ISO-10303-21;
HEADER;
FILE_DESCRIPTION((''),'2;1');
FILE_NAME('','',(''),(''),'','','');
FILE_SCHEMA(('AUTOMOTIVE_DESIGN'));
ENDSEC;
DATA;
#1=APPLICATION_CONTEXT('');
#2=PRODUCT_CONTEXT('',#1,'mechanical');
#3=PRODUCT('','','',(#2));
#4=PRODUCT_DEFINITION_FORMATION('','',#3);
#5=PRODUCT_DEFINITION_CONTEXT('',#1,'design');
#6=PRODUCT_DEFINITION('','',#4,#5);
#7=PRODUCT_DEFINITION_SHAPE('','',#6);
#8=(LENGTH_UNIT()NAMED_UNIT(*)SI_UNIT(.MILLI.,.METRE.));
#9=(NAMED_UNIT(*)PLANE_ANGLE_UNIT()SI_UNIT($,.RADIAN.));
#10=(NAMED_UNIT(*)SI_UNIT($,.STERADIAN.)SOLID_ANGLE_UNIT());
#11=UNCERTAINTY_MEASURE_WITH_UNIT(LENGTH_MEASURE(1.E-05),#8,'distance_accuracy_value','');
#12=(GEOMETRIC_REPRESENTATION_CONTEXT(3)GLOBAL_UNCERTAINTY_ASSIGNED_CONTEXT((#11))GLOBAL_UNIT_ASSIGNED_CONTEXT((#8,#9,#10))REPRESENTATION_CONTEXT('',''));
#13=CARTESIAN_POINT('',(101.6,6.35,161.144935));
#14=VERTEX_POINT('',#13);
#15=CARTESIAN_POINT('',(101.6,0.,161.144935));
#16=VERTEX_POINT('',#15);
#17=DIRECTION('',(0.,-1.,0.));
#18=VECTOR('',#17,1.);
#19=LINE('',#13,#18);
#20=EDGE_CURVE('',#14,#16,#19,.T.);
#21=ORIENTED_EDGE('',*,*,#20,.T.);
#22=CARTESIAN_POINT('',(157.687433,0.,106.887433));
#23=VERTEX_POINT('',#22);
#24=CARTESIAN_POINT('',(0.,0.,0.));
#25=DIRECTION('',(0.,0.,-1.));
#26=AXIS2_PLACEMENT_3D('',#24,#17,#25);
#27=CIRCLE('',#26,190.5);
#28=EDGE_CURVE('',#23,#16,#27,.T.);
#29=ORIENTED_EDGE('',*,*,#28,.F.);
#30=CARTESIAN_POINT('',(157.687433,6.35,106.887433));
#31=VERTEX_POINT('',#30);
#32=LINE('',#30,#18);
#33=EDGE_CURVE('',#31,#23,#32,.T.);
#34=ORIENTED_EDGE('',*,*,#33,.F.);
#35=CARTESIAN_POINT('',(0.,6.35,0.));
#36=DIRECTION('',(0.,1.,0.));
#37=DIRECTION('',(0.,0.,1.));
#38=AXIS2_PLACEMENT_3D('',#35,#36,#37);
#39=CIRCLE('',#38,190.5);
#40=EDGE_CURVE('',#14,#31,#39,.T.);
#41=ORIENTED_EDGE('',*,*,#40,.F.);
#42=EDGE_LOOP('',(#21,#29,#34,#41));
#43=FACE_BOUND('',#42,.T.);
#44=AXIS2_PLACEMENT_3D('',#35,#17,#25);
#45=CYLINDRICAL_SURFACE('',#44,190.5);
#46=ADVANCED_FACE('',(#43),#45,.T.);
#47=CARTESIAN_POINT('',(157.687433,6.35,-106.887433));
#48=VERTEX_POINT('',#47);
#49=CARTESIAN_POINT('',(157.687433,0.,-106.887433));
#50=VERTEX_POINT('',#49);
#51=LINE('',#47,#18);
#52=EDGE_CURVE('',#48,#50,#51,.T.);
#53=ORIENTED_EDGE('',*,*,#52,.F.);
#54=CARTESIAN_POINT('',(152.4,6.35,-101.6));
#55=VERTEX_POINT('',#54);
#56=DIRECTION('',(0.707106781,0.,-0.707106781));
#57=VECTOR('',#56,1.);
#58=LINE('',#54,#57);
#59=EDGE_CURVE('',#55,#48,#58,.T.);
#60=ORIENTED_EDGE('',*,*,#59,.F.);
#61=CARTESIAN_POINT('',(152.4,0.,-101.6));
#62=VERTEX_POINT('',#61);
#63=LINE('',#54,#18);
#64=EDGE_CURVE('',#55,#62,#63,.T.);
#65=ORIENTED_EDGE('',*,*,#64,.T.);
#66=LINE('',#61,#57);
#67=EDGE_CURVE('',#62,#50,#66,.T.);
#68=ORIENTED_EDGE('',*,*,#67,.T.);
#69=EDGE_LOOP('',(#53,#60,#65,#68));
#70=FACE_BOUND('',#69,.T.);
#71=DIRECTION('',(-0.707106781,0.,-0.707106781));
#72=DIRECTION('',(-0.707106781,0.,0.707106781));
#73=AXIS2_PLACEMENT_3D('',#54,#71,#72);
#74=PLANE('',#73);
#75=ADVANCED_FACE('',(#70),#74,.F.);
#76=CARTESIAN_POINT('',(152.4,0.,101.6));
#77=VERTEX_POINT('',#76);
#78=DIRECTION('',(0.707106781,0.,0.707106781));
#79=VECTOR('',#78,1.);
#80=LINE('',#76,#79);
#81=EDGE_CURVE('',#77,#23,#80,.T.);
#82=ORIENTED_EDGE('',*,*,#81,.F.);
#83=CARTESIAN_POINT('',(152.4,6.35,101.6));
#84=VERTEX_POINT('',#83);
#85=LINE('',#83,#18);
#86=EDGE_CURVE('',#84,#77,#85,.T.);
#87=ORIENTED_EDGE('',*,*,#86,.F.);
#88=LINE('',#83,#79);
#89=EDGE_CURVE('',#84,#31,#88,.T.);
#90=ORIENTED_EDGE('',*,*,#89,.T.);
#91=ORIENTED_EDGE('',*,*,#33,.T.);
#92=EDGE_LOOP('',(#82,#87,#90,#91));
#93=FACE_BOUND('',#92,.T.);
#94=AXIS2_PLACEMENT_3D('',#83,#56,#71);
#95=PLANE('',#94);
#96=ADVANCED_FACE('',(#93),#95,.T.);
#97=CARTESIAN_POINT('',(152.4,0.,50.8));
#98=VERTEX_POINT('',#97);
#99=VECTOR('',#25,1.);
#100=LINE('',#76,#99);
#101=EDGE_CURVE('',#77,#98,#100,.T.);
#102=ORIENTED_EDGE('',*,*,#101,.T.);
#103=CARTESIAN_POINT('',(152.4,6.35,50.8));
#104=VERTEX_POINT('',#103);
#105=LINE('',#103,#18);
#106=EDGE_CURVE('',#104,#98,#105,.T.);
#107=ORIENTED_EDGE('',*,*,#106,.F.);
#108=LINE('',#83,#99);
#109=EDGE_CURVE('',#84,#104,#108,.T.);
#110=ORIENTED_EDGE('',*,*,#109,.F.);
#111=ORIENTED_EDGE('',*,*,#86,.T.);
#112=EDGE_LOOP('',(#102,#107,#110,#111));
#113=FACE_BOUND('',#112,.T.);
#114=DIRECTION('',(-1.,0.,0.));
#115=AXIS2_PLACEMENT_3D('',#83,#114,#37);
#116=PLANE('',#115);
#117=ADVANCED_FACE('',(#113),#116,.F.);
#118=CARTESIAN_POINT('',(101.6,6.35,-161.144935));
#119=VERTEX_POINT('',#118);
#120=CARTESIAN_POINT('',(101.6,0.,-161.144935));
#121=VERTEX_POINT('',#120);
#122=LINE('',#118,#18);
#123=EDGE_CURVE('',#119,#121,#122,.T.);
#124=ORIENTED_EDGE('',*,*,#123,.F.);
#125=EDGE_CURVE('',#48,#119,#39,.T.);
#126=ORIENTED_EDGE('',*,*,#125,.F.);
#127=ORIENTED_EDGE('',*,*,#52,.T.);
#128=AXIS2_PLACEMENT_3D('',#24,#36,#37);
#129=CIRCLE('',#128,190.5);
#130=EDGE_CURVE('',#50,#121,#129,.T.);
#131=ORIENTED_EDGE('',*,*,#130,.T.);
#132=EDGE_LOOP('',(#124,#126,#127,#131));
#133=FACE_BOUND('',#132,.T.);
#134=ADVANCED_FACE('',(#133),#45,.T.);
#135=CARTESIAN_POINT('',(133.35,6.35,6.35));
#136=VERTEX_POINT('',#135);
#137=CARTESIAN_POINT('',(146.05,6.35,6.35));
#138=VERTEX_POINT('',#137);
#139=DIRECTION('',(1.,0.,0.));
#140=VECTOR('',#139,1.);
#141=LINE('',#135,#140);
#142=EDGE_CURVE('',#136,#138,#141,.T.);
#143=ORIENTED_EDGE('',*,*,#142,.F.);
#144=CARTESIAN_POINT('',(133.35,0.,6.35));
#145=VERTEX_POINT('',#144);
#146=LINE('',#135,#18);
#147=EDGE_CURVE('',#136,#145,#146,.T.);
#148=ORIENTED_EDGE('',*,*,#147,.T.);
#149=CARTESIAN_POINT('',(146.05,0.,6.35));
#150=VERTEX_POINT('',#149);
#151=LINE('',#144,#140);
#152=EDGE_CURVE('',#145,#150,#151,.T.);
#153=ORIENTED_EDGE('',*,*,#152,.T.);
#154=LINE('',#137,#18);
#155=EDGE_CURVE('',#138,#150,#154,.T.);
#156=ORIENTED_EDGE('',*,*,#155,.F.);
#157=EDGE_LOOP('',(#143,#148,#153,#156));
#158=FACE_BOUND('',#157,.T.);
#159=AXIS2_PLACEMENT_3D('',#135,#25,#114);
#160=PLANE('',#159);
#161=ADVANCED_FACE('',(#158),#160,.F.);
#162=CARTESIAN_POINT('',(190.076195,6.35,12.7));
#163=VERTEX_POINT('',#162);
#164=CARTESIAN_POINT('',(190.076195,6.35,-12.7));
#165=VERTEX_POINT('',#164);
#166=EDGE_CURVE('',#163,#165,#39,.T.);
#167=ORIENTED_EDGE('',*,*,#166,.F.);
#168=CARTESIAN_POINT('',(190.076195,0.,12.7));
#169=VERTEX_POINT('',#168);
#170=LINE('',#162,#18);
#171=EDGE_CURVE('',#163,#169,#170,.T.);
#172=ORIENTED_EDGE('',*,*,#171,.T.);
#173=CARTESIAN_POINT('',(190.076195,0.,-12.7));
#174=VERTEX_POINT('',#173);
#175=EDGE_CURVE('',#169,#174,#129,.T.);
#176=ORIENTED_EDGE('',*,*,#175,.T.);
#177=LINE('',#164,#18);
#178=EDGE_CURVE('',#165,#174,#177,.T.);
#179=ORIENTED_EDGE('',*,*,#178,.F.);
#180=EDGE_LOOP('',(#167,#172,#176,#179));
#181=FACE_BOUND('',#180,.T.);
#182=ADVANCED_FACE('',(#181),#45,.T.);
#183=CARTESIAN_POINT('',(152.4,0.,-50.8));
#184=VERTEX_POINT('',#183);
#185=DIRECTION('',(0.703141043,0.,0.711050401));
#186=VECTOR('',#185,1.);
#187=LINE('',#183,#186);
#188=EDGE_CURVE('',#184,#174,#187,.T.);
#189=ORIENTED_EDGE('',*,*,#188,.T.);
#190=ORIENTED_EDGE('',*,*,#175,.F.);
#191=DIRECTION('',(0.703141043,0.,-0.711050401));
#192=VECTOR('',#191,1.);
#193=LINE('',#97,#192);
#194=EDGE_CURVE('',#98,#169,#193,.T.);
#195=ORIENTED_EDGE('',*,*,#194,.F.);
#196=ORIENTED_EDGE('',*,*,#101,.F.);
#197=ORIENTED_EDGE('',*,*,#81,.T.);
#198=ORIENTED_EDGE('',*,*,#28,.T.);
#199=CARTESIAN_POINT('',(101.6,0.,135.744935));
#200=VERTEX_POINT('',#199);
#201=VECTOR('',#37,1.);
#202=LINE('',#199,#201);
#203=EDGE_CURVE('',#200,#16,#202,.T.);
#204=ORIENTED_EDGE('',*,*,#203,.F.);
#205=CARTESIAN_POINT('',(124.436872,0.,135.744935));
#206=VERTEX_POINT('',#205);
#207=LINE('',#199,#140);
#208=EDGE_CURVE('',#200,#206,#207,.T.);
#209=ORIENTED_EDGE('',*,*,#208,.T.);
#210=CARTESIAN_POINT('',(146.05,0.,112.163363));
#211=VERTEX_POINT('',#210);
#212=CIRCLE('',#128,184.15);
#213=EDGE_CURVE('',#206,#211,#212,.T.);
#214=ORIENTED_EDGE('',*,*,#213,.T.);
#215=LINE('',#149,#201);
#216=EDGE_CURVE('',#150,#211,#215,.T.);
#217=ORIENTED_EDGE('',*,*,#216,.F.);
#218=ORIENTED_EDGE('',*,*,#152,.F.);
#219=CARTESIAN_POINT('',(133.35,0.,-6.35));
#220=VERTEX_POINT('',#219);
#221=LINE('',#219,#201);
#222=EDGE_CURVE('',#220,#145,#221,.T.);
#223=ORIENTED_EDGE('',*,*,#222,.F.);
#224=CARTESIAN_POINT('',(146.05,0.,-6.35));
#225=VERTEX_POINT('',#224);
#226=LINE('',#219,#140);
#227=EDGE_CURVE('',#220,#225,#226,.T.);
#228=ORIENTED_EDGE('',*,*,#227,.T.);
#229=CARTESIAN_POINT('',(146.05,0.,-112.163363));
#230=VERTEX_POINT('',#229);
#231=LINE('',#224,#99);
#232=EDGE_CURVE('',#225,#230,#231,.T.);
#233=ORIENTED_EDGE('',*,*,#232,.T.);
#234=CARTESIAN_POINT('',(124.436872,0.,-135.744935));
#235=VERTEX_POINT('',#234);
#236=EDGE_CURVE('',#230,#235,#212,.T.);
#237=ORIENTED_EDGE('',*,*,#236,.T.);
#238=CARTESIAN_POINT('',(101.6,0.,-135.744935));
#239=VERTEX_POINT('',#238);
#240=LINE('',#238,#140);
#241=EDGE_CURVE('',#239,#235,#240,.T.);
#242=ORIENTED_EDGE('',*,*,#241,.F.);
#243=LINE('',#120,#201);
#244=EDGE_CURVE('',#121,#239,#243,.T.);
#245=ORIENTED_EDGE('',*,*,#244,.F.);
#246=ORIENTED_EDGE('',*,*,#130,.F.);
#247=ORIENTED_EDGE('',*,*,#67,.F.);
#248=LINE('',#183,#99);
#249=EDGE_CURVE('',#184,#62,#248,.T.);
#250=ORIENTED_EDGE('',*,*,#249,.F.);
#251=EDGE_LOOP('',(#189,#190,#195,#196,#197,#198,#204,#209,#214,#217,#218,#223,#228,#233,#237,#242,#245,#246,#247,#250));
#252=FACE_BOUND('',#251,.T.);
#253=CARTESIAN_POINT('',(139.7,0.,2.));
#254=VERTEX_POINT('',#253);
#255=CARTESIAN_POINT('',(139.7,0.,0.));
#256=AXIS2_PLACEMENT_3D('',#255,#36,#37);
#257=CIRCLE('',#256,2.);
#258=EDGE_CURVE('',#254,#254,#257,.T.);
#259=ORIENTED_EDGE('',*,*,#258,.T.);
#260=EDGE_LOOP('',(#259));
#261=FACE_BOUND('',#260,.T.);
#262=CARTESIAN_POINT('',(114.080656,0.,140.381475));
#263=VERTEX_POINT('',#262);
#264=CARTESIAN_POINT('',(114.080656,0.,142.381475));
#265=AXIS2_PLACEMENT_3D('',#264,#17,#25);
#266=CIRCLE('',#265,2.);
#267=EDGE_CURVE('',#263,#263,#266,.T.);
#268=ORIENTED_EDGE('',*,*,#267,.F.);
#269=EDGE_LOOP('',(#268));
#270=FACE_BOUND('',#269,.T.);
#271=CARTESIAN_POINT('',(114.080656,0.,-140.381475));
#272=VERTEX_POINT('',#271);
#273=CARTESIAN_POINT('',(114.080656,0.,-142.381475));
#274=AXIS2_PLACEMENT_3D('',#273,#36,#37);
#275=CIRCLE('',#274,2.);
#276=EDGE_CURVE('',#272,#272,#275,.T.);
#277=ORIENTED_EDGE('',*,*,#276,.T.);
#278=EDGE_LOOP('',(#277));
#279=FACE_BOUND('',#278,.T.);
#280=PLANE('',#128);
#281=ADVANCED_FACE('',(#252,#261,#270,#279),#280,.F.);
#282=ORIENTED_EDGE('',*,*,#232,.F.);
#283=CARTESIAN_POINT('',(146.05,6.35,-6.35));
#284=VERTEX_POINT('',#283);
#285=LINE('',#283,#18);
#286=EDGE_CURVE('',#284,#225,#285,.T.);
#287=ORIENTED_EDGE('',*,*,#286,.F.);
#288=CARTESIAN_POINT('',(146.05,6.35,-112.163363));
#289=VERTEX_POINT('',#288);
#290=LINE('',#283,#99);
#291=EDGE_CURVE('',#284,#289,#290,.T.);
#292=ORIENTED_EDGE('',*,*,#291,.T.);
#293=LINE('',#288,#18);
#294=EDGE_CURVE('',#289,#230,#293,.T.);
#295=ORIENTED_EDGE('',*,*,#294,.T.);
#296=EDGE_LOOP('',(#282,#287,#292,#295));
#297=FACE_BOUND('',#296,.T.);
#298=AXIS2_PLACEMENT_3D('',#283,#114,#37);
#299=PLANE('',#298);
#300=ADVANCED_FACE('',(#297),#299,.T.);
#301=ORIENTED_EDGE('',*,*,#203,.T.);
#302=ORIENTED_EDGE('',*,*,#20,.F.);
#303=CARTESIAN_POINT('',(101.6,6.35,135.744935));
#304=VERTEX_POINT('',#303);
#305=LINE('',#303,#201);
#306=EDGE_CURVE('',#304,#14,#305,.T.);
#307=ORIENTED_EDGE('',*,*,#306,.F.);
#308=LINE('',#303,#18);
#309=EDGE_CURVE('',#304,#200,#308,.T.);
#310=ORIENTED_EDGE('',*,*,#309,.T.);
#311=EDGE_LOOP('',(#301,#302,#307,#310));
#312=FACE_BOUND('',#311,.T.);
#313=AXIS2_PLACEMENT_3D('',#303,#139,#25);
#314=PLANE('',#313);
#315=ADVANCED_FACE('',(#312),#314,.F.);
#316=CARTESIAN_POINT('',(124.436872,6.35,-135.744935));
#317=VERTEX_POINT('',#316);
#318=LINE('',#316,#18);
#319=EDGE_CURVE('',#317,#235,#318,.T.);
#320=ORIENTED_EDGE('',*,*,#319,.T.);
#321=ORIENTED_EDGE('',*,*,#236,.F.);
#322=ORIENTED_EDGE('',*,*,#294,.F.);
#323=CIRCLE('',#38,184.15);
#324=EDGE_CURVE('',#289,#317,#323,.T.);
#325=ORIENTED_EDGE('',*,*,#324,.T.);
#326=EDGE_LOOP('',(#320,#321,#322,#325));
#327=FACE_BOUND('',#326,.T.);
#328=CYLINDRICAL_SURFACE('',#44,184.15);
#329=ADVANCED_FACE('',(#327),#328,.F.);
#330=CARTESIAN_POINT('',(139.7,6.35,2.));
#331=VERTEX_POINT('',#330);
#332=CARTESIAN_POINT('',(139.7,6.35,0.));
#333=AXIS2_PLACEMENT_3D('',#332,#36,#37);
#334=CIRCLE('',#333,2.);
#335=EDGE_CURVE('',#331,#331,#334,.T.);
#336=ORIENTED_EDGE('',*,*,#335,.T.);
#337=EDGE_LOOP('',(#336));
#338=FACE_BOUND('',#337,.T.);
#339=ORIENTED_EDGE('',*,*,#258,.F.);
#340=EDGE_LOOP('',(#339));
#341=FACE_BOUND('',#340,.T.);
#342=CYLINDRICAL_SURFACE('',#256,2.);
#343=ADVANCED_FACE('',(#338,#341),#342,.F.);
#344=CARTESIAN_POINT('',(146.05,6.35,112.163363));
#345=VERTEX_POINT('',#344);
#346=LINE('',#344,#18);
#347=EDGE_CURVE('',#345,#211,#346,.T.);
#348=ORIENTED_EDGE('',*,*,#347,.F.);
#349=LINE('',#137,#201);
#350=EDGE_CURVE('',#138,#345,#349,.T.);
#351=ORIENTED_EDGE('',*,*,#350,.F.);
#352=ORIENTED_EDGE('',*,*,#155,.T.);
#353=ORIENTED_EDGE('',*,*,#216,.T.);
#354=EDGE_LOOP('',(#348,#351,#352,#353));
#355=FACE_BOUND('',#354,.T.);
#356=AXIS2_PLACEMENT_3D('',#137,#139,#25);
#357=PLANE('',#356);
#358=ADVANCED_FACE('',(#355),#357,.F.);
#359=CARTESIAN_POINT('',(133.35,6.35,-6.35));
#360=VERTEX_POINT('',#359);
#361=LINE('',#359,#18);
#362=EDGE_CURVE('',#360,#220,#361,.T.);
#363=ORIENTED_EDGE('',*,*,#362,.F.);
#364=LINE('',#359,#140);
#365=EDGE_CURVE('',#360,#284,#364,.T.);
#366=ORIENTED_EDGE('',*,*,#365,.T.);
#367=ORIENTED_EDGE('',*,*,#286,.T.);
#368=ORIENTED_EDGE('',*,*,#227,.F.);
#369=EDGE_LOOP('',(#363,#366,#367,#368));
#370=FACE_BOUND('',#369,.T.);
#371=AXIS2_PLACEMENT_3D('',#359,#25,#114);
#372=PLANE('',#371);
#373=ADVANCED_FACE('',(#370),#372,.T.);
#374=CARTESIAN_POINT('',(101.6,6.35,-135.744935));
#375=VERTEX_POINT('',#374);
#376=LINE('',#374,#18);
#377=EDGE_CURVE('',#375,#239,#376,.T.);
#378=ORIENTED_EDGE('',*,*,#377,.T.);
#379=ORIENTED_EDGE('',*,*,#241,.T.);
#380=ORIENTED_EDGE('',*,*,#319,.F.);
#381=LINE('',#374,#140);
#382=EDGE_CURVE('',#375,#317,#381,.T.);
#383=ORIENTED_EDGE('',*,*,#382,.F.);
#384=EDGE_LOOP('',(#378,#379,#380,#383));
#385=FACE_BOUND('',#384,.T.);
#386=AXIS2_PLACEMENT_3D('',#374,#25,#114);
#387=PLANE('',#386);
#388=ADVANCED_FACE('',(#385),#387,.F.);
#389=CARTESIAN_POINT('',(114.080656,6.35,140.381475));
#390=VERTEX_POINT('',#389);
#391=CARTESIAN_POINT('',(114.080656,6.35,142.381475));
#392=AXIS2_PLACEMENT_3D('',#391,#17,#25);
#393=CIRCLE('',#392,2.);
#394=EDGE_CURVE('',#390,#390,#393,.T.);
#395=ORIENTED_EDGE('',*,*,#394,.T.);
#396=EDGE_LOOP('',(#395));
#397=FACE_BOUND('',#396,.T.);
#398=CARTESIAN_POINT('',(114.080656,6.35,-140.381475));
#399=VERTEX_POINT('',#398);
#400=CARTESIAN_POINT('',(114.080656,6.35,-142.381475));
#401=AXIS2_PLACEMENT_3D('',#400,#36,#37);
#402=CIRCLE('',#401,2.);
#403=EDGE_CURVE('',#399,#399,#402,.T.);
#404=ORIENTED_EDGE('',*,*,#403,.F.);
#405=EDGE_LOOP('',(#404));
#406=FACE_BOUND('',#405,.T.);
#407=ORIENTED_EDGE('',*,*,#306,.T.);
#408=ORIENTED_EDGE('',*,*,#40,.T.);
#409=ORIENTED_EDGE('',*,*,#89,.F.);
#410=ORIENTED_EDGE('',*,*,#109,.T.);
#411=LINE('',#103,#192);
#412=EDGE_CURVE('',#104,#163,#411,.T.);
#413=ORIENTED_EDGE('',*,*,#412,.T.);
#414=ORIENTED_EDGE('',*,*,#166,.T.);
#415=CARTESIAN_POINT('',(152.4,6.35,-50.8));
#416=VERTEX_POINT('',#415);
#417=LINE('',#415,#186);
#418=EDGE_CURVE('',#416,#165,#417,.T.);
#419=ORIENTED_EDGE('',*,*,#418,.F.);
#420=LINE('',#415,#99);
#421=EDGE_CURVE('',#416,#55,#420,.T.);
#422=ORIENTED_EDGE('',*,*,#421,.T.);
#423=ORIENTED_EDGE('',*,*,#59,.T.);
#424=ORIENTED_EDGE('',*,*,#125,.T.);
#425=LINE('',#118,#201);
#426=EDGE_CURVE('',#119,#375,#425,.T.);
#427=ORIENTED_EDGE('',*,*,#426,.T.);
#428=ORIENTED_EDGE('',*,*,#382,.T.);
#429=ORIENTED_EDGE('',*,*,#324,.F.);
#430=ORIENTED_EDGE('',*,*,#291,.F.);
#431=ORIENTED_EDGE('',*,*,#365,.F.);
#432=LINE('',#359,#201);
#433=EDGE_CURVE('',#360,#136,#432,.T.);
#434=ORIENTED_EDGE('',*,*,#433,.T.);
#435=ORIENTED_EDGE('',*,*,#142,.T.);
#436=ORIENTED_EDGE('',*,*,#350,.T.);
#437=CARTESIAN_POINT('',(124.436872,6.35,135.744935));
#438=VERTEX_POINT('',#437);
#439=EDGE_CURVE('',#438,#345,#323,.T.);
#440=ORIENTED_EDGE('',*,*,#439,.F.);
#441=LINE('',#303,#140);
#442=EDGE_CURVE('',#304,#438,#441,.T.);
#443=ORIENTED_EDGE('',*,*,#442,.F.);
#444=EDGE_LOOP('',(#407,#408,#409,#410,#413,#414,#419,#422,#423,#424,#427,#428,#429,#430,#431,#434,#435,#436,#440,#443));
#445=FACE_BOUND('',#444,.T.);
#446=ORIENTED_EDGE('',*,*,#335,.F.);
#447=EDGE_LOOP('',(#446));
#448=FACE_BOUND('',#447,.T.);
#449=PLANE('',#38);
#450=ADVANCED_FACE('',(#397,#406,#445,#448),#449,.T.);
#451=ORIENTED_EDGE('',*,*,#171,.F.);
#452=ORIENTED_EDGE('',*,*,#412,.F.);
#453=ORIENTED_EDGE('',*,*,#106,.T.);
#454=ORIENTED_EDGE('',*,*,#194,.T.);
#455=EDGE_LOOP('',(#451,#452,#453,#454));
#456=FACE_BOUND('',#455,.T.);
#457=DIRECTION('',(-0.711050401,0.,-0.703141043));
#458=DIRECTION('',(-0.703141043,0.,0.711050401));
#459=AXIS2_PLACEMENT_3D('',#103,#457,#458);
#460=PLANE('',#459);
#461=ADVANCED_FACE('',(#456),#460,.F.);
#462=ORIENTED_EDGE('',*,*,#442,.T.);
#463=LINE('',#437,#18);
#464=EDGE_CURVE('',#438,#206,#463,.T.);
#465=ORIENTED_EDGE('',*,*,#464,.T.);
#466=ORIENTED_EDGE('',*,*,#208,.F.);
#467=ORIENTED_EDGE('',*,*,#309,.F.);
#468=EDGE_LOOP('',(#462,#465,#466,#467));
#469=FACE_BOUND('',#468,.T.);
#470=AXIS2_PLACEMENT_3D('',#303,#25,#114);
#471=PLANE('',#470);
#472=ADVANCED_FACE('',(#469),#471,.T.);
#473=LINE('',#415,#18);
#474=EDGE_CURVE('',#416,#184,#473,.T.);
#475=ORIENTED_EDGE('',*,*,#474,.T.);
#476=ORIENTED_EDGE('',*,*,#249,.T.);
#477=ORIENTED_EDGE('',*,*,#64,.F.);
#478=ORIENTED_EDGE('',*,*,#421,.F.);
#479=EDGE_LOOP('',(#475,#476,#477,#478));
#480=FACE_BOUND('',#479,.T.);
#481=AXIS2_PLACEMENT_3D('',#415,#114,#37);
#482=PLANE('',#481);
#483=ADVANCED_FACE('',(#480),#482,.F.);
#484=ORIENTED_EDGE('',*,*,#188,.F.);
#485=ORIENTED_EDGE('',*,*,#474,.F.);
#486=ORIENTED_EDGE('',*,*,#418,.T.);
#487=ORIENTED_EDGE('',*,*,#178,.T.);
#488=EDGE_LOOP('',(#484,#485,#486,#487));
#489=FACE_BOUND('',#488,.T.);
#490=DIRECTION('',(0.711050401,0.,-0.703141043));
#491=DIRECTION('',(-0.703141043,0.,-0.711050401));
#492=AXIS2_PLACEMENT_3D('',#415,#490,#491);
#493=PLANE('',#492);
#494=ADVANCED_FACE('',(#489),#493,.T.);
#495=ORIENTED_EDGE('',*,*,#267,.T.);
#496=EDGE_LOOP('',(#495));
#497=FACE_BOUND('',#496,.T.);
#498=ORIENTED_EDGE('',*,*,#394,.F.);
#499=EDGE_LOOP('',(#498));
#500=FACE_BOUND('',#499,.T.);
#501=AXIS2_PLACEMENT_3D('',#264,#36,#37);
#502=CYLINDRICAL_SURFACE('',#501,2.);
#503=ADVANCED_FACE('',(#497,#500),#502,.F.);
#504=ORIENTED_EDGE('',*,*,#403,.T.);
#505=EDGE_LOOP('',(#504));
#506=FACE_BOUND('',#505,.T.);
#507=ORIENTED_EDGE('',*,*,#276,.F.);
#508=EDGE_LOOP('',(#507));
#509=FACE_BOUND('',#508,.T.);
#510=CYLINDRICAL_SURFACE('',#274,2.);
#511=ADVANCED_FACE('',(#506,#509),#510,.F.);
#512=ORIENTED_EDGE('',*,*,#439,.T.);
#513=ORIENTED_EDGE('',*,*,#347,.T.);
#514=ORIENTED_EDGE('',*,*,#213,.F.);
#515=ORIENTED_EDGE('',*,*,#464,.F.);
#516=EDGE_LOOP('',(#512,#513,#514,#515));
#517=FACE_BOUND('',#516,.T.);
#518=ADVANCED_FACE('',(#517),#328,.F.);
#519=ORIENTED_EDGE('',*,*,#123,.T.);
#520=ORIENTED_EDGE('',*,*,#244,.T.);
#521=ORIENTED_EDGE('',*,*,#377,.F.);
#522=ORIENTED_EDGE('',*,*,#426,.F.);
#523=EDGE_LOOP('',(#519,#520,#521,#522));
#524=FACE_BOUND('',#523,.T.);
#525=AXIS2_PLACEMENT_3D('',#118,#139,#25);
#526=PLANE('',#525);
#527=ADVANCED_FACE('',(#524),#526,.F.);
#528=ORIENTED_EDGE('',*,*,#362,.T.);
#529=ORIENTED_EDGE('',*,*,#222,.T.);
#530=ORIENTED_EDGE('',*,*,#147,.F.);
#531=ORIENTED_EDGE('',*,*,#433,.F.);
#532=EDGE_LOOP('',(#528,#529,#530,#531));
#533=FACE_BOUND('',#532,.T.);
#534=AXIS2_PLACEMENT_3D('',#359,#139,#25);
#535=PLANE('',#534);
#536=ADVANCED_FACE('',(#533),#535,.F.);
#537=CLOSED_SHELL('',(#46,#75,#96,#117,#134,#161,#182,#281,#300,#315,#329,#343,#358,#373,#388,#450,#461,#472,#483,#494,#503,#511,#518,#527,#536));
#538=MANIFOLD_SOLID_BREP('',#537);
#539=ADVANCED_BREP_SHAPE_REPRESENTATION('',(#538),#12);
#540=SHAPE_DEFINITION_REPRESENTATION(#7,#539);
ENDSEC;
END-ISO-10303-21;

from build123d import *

# Parameters (mm, degrees)
BOSS_EXTRUDE2_DEPTH = 6.35
SKETCH40_R          = 2
CUT_EXTRUDE1_DEPTH  = 6.35
SKETCH41_R          = 2
CUT_EXTRUDE2_DEPTH  = 6.35


with BuildPart() as part:
    # Sketch1 → Boss-Extrude2 (new body)
    with BuildSketch(Plane(origin=(0, 0, 0), x_dir=(1, 0, 0), z_dir=(0, 1, 0))):
        with BuildLine():
            Line((152.4, -101.6), (152.4, -50.8))
            Line((152.4, -50.8), (190.076195248, -12.7))
            ThreePointArc((190.076195248, -12.7), (190.5, 0), (190.076195248, 12.7))
            Line((190.076195248, 12.7), (152.4, 50.8))
            Line((152.4, 50.8), (152.4, 101.6))
            Line((152.4, 101.6), (157.687433266, 106.887433266))
            ThreePointArc((157.687433266, 106.887433266), (155.08800922, 110.62531083), (152.4, 114.3))
            ThreePointArc((152.4, 114.3), (129.141828926, 140.045128518), (101.6, 161.144934764))
            Line((101.6, 161.144934764), (101.6, 135.744934764))
            Line((101.6, 135.744934764), (124.436872293, 135.744934764))
            ThreePointArc((124.436872293, 135.744934764), (135.756435031, 124.424325787), (146.05, 112.163363002))
            Line((146.05, 112.163363002), (146.05, 6.35))
            Line((146.05, 6.35), (133.35, 6.35))
            Line((133.35, 6.35), (133.35, -6.35))
            Line((133.35, -6.35), (146.05, -6.35))
            Line((146.05, -6.35), (146.05, -112.163363002))
            ThreePointArc((146.05, -112.163363002), (135.756435031, -124.424325787), (124.436872293, -135.744934764))
            Line((124.436872293, -135.744934764), (101.6, -135.744934764))
            Line((101.6, -135.744934764), (101.6, -161.144934764))
            ThreePointArc((101.6, -161.144934764), (129.141828926, -140.045128518), (152.4, -114.3))
            ThreePointArc((152.4, -114.3), (155.08800922, -110.62531083), (157.687433266, -106.887433266))
            Line((157.687433266, -106.887433266), (152.4, -101.6))
        make_face()
    extrude(amount=BOSS_EXTRUDE2_DEPTH)

    # Sketch40 → Cut-Extrude1 (cut)
    with BuildSketch(Plane(origin=(0, 6.35, 0), x_dir=(1, 0, 0), z_dir=(0, 1, 0))):
        with Locations((139.7, 0)):
            Circle(SKETCH40_R)
    extrude(amount=-CUT_EXTRUDE1_DEPTH, mode=Mode.SUBTRACT)

    # Sketch41 → Cut-Extrude2 (cut)
    with BuildSketch(Plane(origin=(0, 6.35, 0), x_dir=(1, 0, 0), z_dir=(0, 1, 0))):
        with Locations((114.080655546, 142.381475202)):
            Circle(SKETCH41_R)
        with Locations((114.080655546, -142.381475202)):
            Circle(SKETCH41_R)
    extrude(amount=-CUT_EXTRUDE2_DEPTH, mode=Mode.SUBTRACT)


solid = part.part
